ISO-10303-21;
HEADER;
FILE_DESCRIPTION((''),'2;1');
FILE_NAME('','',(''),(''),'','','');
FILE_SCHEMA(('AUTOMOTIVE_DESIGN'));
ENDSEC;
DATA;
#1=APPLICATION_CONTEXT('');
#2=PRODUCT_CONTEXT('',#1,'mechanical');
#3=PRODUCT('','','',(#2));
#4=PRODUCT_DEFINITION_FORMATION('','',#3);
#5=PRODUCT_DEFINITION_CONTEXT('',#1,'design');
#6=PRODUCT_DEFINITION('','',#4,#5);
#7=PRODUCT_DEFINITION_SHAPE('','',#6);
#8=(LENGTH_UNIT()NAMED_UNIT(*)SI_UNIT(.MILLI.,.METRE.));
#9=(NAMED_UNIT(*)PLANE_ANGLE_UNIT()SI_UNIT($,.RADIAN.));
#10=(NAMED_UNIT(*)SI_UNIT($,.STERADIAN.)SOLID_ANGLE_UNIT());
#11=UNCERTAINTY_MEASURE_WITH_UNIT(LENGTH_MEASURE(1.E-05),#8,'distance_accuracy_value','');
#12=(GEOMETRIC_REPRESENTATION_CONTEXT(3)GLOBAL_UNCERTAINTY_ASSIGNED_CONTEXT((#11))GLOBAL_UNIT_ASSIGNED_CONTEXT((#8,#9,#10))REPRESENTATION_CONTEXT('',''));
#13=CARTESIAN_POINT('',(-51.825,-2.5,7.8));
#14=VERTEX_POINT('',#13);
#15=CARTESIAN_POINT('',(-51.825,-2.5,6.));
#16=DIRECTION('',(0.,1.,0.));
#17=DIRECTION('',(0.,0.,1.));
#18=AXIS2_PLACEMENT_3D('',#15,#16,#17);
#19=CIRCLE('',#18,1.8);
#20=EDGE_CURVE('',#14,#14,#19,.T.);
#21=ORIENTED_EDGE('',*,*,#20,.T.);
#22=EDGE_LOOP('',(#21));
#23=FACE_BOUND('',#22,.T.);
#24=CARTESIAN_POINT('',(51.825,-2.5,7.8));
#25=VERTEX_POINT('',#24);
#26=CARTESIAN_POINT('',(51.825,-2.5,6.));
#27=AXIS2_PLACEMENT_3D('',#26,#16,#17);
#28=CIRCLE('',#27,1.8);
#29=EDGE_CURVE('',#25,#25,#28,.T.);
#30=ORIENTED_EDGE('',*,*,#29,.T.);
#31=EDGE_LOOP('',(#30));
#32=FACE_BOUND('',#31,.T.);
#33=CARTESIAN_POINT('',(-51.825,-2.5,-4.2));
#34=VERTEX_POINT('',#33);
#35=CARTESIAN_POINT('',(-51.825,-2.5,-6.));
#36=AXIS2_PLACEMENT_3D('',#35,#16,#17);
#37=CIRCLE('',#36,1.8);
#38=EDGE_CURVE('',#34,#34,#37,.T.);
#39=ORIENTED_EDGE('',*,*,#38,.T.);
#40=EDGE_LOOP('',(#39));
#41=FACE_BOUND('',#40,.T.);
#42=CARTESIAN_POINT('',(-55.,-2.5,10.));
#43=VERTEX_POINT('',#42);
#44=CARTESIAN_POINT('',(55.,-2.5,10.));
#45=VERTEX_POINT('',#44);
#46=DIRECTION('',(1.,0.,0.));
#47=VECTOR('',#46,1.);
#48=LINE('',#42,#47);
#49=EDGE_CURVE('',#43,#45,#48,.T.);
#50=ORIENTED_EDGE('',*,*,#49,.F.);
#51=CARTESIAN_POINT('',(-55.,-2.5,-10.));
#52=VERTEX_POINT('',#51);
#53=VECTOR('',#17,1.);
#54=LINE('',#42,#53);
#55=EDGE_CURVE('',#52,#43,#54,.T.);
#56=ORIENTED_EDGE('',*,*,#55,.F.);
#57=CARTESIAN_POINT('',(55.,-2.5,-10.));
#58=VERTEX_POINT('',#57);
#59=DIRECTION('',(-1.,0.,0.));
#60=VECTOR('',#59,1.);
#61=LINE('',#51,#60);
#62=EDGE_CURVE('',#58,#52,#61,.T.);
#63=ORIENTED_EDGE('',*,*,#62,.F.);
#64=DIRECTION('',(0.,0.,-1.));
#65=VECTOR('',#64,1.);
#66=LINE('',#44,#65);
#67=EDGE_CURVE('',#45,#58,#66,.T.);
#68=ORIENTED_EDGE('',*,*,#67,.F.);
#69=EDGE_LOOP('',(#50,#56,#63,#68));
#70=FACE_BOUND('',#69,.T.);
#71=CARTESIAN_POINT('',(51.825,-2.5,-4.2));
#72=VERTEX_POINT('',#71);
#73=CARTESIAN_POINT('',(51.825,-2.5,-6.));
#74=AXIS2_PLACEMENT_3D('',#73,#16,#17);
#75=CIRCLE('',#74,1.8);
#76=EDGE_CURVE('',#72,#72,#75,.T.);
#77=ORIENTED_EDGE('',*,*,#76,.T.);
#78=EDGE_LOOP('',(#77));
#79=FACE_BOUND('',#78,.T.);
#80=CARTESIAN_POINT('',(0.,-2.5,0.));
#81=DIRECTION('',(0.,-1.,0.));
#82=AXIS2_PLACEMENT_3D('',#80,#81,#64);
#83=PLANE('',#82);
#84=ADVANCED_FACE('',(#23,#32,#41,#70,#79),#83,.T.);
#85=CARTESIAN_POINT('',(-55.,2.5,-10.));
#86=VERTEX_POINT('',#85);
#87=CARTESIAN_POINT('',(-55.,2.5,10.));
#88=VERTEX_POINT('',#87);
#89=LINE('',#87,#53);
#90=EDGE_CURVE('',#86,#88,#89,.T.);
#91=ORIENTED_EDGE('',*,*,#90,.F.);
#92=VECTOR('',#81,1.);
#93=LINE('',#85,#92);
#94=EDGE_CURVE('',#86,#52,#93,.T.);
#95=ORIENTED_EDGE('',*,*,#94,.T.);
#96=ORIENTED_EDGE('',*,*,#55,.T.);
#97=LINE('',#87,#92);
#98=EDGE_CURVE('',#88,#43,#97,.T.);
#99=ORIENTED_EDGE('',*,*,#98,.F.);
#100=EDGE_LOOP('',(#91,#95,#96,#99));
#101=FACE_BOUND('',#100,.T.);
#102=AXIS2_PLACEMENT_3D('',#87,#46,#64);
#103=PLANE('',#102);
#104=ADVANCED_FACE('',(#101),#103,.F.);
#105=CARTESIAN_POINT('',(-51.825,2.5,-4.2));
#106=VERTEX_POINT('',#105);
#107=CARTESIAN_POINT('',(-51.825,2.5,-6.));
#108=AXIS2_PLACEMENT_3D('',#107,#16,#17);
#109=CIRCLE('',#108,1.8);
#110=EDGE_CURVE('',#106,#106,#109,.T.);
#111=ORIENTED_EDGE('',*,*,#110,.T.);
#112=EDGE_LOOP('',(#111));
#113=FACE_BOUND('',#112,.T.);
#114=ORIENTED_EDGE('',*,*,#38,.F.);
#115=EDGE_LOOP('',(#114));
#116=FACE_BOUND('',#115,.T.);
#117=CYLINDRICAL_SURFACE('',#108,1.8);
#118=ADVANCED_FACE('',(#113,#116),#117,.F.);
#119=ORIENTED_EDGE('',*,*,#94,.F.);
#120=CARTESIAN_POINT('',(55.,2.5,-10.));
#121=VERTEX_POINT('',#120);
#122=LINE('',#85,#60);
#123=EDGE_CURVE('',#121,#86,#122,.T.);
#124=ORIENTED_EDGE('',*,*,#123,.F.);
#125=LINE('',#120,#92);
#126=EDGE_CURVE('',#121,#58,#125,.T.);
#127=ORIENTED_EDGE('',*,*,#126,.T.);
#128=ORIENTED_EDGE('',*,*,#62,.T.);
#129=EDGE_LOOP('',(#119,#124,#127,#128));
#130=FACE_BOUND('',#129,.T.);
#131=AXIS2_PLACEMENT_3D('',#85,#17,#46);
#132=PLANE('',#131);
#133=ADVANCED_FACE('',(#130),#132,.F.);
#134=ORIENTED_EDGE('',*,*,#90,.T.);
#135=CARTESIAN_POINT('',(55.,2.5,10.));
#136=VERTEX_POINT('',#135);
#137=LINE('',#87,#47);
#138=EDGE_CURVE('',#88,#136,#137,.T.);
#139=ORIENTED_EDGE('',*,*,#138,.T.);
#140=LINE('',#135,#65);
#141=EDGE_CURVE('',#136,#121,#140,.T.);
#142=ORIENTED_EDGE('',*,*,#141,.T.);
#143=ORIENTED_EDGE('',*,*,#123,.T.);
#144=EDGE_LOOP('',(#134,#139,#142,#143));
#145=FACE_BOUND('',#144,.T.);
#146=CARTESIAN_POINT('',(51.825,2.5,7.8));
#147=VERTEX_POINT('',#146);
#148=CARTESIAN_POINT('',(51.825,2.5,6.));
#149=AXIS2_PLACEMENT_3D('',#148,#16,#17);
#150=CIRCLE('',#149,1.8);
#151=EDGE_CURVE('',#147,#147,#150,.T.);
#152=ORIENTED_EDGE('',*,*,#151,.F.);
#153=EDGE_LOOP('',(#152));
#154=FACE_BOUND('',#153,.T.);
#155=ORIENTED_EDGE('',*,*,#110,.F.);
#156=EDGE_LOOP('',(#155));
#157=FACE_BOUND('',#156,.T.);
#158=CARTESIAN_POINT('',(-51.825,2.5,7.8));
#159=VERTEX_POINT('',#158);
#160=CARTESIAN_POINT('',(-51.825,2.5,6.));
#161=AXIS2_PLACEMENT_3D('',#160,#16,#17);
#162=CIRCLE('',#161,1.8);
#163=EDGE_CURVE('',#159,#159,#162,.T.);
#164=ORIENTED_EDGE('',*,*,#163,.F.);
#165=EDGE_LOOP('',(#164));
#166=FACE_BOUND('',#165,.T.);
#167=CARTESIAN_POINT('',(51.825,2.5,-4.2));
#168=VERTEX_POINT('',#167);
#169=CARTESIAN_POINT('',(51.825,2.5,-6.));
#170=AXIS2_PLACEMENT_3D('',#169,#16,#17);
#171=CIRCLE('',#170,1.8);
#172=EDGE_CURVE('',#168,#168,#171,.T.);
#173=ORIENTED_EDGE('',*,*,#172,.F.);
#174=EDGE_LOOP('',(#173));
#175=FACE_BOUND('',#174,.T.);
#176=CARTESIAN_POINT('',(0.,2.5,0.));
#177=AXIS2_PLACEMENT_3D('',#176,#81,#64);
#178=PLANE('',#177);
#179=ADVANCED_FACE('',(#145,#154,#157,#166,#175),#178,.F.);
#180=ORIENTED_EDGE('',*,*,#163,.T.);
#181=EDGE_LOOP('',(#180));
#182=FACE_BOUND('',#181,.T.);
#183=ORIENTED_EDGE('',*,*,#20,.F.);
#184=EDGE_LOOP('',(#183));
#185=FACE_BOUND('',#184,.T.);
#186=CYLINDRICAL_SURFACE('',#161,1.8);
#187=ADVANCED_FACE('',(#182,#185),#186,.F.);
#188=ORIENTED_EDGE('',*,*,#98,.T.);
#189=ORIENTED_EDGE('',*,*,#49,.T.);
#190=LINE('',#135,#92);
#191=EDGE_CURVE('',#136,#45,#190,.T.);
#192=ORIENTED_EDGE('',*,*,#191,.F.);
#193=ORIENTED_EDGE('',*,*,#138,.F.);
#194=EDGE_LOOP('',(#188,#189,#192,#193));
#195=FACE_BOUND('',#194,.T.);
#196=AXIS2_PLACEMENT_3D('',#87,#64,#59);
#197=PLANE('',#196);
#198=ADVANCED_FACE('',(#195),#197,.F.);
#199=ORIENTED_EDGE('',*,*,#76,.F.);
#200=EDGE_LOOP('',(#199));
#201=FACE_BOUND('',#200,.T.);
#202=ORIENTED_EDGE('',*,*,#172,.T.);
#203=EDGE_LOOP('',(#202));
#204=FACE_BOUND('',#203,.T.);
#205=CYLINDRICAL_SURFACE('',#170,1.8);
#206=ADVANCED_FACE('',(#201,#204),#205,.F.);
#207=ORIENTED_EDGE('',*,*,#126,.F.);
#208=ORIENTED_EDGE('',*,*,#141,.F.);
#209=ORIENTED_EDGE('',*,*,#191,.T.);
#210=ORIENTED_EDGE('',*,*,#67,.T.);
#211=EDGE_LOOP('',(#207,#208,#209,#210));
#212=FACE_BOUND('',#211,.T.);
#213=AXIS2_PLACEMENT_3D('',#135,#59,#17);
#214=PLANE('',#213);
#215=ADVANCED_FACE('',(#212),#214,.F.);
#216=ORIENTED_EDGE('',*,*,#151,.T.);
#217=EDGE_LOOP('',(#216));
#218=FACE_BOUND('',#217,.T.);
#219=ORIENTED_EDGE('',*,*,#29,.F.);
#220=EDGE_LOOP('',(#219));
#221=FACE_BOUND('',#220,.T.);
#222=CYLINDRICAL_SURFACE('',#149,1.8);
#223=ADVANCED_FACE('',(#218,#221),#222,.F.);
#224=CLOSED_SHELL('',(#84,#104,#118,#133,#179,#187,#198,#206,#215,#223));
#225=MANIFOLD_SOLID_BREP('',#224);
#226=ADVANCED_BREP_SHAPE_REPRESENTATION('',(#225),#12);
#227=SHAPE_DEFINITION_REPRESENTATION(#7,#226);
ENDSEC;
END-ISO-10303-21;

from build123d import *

# Parameters (mm, degrees)
SKETCH1_W            = 110
SKETCH1_H            = 20
BOSS_EXTRUDE1_DEPTH  = 2.5
M3_CLEARANCE_HOLE1_D = 3.6


with BuildPart() as part:
    # Sketch1 → Boss-Extrude1 (new, symmetric)
    with BuildSketch(Plane(origin=(0, 0, 0), x_dir=(1, 0, 0), z_dir=(0, 1, 0))):
        Rectangle(SKETCH1_W, SKETCH1_H)
    extrude(amount=BOSS_EXTRUDE1_DEPTH, both=True)

    # M3 Clearance Hole1 (through all)
    with Locations(Plane(origin=(0, 2.5, 0), x_dir=(1, 0, 0), z_dir=(0, 1, 0))):
        with Locations((51.825, 6), (-51.825, -6), (51.825, -6), (-51.825, 6)):
            Hole(M3_CLEARANCE_HOLE1_D / 2)


solid = part.part
